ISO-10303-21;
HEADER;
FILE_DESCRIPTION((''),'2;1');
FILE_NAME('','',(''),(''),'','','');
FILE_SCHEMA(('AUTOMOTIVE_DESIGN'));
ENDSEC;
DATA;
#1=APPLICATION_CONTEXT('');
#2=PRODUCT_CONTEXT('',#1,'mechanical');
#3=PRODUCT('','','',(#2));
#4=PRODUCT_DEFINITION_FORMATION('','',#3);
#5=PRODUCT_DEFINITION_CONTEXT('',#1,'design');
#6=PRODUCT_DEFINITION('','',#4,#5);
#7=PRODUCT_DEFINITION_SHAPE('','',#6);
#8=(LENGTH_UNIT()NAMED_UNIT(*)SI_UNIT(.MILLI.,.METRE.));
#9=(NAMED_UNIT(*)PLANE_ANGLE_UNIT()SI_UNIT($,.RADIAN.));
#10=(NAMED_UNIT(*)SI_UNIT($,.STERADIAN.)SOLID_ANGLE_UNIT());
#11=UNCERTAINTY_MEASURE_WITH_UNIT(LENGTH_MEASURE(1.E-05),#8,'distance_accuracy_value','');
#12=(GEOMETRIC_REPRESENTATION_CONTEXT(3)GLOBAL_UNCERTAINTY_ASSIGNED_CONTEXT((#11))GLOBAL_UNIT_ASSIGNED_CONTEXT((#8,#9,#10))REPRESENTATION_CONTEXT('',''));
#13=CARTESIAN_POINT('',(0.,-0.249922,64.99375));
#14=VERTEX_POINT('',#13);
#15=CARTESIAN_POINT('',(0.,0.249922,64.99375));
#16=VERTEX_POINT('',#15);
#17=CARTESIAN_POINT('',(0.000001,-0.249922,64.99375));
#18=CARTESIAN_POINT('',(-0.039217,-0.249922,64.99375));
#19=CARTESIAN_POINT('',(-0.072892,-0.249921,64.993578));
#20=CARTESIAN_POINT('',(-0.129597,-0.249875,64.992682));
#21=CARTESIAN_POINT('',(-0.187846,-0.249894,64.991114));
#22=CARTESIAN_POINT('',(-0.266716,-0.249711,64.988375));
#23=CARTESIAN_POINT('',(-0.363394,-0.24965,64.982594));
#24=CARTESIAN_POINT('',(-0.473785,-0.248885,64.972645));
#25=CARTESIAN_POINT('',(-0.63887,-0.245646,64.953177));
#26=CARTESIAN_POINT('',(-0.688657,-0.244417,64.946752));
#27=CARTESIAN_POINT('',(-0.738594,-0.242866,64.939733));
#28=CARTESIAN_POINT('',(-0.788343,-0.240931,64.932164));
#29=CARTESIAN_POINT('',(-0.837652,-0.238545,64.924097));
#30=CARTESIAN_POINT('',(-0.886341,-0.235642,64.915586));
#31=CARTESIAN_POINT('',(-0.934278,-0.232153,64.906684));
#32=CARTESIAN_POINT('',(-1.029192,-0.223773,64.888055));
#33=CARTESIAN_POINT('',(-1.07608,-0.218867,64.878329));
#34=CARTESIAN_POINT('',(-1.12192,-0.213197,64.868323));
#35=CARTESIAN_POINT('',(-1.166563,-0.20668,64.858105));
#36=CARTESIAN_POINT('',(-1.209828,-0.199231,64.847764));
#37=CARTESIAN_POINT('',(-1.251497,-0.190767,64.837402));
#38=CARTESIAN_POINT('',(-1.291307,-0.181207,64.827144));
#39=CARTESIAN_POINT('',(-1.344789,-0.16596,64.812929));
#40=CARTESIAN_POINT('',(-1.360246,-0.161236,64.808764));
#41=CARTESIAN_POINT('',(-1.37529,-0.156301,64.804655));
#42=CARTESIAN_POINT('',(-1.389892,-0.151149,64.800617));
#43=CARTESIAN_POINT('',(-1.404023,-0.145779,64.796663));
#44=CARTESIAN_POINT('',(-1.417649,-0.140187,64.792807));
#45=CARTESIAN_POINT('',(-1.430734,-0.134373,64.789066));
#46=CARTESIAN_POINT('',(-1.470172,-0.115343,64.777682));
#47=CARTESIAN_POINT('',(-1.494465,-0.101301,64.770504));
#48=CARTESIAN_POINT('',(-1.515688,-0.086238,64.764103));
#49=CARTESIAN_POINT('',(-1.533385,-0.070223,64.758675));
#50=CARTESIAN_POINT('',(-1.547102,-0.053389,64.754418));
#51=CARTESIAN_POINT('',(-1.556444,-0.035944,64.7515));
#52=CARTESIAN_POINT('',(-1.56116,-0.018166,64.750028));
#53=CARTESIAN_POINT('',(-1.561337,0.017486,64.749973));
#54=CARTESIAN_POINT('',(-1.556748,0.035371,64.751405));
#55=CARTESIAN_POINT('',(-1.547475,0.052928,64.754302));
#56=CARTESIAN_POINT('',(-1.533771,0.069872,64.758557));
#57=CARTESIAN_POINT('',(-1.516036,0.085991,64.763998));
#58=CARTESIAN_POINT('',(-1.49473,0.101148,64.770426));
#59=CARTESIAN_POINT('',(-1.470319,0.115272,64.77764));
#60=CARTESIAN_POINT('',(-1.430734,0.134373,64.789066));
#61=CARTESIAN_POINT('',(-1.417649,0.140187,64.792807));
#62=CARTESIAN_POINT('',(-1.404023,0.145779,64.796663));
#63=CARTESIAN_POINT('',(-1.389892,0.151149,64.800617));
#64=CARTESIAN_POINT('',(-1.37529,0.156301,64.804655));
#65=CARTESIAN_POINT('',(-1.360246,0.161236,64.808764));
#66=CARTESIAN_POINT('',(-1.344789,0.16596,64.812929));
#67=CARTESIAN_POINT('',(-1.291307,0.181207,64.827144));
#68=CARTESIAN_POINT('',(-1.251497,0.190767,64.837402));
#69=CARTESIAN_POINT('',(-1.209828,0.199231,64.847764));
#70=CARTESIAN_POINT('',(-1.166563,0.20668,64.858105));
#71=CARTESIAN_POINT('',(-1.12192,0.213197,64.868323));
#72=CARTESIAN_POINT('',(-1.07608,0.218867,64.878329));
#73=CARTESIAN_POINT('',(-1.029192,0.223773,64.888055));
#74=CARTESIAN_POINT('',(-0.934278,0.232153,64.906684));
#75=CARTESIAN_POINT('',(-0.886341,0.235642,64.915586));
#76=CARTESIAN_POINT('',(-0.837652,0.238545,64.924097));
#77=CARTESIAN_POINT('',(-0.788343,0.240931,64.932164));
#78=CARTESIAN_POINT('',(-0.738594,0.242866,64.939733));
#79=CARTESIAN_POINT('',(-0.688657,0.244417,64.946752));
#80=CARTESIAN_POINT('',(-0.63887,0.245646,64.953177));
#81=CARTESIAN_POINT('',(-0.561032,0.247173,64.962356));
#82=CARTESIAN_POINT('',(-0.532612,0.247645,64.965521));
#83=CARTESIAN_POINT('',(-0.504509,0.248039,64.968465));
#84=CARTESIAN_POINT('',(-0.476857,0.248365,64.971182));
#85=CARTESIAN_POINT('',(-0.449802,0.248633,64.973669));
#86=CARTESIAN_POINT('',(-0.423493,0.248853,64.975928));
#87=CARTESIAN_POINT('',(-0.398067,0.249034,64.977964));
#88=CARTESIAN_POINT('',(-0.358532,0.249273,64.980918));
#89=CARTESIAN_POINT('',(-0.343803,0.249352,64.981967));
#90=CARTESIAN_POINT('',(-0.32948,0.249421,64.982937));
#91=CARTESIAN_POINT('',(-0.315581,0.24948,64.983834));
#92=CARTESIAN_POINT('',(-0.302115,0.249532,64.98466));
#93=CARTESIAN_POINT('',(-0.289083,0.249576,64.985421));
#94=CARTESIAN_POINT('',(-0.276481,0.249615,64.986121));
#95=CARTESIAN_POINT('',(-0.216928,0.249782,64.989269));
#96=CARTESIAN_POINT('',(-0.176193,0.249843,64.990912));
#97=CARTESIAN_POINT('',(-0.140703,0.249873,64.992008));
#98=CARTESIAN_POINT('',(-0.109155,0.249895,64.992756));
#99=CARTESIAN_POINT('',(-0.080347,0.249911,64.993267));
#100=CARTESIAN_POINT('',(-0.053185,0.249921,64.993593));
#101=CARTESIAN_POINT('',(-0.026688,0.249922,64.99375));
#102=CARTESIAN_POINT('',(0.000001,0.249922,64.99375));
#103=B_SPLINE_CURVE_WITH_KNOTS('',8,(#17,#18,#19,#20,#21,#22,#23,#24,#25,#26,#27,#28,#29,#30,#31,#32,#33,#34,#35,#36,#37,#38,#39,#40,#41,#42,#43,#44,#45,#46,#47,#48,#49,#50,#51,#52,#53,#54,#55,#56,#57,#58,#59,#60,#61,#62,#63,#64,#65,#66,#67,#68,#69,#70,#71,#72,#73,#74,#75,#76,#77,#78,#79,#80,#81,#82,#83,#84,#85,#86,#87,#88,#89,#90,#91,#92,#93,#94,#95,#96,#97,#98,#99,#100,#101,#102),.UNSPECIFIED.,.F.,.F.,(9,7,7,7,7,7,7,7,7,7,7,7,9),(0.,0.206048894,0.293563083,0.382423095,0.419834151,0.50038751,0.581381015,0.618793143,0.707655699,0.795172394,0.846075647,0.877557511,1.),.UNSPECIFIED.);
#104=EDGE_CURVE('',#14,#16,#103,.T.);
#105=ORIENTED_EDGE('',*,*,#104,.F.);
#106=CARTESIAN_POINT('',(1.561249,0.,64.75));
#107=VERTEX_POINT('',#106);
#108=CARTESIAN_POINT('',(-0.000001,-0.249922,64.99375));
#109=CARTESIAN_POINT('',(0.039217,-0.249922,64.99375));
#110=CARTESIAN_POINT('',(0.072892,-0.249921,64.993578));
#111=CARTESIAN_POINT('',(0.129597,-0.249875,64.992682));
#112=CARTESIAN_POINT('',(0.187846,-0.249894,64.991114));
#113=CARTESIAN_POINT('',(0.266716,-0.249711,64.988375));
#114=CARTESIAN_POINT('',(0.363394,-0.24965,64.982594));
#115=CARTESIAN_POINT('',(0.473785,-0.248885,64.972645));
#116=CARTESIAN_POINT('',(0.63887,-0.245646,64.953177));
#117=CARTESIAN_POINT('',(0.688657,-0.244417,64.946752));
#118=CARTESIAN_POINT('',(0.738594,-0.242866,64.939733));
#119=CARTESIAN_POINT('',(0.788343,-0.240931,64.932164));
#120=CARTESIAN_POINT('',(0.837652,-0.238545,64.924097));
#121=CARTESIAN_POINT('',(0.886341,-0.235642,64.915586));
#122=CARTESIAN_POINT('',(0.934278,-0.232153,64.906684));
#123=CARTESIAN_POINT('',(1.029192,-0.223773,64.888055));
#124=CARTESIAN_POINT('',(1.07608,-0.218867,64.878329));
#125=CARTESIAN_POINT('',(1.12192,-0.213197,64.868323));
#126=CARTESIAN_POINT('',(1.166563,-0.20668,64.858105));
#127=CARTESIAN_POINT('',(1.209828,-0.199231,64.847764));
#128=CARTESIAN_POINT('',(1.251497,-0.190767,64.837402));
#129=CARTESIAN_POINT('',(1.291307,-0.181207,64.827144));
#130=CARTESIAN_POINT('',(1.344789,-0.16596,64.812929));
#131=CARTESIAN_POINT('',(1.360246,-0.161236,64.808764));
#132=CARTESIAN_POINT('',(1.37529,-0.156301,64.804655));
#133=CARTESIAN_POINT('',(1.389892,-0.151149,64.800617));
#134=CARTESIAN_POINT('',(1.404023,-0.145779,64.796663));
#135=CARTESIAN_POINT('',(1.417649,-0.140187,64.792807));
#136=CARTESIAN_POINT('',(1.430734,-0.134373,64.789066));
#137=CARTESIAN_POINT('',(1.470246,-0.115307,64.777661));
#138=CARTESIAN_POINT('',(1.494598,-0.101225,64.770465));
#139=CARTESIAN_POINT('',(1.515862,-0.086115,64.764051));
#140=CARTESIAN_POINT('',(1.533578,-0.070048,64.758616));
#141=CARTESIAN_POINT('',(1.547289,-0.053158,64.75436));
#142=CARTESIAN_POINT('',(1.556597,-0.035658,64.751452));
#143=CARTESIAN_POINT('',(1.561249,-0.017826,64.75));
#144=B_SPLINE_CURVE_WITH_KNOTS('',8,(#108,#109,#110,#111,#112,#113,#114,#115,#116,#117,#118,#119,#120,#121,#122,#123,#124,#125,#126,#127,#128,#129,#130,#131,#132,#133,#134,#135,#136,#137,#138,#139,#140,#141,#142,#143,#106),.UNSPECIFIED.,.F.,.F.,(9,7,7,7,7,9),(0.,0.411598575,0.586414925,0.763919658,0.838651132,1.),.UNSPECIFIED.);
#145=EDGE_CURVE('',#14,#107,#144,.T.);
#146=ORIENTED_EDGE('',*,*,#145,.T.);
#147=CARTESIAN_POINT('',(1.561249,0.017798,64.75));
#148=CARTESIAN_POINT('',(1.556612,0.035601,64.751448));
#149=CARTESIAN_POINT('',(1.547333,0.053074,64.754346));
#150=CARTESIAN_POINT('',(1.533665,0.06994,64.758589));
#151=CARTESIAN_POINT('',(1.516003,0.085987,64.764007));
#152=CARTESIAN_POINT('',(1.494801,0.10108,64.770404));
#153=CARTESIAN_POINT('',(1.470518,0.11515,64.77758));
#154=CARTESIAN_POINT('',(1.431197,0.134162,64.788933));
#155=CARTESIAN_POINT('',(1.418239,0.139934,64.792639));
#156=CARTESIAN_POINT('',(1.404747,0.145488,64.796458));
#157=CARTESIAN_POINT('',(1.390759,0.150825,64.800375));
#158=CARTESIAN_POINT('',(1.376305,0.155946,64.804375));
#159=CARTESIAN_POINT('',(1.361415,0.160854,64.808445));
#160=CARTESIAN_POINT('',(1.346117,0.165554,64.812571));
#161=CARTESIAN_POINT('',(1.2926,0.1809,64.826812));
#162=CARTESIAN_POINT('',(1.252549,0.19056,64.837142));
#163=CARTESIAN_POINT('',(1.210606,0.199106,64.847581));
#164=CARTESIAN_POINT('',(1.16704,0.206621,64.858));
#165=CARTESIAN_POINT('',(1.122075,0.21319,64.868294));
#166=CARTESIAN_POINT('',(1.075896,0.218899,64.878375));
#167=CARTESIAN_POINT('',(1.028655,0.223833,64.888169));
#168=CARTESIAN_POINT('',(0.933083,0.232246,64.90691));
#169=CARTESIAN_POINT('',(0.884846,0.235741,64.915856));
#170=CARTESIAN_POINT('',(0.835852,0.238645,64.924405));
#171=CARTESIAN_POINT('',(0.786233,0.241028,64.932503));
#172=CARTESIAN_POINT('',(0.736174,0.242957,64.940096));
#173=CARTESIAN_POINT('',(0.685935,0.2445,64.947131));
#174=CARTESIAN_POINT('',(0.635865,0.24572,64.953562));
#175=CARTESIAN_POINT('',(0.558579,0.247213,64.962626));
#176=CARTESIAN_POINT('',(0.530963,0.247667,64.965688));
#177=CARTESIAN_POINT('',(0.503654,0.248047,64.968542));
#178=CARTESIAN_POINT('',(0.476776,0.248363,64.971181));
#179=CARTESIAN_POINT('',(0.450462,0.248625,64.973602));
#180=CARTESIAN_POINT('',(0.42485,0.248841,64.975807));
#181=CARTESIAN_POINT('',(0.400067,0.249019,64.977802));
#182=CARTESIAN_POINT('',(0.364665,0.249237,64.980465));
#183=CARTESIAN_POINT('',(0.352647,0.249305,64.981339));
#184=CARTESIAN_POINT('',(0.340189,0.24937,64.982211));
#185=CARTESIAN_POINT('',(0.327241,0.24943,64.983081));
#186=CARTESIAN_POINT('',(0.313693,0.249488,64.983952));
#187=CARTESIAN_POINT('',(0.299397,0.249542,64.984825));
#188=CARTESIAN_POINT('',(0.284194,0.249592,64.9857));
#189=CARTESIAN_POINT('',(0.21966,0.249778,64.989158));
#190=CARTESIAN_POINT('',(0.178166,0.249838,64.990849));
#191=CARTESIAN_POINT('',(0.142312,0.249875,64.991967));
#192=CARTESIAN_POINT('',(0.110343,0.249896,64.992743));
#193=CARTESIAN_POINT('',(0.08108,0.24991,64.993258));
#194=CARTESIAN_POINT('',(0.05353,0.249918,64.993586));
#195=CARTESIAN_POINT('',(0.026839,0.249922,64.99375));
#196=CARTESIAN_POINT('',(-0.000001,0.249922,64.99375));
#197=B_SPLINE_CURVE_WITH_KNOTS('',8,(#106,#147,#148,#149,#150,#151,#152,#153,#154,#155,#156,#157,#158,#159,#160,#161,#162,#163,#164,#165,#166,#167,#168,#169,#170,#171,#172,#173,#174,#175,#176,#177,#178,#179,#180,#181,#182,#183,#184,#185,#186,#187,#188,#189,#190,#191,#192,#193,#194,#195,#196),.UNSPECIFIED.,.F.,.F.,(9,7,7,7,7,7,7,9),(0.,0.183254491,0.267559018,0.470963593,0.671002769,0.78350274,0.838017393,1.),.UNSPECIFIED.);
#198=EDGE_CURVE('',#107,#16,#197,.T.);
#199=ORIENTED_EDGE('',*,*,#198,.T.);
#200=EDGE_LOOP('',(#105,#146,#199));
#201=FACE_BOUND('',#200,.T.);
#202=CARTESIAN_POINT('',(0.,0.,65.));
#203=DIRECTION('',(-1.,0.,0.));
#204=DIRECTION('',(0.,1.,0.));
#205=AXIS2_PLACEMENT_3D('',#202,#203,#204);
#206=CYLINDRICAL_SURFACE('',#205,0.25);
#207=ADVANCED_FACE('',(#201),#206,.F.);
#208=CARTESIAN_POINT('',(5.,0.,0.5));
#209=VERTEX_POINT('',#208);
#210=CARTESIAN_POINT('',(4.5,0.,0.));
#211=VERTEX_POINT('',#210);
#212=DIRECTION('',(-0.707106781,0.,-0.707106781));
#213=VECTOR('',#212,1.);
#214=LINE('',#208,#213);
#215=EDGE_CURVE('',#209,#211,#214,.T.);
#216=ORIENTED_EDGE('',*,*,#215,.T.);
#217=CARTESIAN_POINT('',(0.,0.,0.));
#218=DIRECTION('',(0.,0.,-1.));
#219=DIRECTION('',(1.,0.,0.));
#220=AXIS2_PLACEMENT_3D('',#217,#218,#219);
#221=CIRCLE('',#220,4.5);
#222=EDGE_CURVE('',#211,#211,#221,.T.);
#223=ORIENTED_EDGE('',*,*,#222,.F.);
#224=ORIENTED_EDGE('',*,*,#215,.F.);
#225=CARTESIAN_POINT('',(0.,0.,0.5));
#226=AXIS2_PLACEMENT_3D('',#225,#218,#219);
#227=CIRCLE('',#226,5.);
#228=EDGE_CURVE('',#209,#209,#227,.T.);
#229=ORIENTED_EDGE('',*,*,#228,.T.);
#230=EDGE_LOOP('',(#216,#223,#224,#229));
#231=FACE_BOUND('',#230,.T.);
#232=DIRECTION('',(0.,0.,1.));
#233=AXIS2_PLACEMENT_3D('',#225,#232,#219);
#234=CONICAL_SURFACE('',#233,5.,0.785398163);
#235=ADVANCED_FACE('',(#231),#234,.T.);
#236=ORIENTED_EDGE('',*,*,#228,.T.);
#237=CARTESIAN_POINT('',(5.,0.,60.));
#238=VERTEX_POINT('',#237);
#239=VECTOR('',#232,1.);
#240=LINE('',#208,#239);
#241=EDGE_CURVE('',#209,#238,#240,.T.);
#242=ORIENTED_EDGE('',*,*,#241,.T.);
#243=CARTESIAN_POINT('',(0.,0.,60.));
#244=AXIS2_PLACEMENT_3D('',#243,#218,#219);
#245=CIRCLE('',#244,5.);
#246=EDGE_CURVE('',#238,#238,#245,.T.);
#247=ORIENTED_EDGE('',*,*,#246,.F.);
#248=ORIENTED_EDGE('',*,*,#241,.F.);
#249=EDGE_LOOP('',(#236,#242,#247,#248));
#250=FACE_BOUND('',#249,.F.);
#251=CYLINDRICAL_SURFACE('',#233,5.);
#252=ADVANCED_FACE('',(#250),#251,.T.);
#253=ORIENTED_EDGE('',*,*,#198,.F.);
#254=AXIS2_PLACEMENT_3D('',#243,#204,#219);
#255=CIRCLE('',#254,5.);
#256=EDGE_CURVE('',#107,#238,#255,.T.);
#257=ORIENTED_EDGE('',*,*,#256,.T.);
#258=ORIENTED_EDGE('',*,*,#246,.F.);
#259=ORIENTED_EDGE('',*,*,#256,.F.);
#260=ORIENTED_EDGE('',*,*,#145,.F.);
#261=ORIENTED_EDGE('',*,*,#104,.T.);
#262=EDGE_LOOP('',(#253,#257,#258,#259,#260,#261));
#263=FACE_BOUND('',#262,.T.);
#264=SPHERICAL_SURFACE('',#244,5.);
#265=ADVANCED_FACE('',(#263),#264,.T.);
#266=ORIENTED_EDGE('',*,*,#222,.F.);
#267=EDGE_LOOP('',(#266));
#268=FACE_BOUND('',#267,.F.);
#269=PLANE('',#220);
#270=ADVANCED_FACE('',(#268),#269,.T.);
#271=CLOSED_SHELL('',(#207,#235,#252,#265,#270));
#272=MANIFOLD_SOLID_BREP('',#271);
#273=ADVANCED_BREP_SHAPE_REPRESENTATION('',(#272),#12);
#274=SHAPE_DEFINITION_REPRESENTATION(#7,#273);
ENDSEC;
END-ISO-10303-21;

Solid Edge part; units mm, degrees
sketch "Sketch1" plane through (0, 0, 0) normal (0, -1, 0) x (1, 0, 0)
  line L0 (0, 0) -> (4.5, 0)
  line L1 (5, 0.5) -> (4.5, 0)
  line L2 (5, 0.5) -> (5, 60)
  arc A0 (0, 65) -> (5, 60) centre (0, 60) cw
revolve "RevolvedProtrusion1" add sketch "Sketch1" angle 360 about axis through (0, 0, 65) along (0, 0, -1)
sketch "Sketch2" plane through (0, 0, 0) normal (1, 0, 0) x (0, 1, 0)
  circle A0 centre (0, 65) radius 0.25
extrude "Cutout1" cut sketch "Sketch2" along normal mid plane 38.1
properties part number "68638"
